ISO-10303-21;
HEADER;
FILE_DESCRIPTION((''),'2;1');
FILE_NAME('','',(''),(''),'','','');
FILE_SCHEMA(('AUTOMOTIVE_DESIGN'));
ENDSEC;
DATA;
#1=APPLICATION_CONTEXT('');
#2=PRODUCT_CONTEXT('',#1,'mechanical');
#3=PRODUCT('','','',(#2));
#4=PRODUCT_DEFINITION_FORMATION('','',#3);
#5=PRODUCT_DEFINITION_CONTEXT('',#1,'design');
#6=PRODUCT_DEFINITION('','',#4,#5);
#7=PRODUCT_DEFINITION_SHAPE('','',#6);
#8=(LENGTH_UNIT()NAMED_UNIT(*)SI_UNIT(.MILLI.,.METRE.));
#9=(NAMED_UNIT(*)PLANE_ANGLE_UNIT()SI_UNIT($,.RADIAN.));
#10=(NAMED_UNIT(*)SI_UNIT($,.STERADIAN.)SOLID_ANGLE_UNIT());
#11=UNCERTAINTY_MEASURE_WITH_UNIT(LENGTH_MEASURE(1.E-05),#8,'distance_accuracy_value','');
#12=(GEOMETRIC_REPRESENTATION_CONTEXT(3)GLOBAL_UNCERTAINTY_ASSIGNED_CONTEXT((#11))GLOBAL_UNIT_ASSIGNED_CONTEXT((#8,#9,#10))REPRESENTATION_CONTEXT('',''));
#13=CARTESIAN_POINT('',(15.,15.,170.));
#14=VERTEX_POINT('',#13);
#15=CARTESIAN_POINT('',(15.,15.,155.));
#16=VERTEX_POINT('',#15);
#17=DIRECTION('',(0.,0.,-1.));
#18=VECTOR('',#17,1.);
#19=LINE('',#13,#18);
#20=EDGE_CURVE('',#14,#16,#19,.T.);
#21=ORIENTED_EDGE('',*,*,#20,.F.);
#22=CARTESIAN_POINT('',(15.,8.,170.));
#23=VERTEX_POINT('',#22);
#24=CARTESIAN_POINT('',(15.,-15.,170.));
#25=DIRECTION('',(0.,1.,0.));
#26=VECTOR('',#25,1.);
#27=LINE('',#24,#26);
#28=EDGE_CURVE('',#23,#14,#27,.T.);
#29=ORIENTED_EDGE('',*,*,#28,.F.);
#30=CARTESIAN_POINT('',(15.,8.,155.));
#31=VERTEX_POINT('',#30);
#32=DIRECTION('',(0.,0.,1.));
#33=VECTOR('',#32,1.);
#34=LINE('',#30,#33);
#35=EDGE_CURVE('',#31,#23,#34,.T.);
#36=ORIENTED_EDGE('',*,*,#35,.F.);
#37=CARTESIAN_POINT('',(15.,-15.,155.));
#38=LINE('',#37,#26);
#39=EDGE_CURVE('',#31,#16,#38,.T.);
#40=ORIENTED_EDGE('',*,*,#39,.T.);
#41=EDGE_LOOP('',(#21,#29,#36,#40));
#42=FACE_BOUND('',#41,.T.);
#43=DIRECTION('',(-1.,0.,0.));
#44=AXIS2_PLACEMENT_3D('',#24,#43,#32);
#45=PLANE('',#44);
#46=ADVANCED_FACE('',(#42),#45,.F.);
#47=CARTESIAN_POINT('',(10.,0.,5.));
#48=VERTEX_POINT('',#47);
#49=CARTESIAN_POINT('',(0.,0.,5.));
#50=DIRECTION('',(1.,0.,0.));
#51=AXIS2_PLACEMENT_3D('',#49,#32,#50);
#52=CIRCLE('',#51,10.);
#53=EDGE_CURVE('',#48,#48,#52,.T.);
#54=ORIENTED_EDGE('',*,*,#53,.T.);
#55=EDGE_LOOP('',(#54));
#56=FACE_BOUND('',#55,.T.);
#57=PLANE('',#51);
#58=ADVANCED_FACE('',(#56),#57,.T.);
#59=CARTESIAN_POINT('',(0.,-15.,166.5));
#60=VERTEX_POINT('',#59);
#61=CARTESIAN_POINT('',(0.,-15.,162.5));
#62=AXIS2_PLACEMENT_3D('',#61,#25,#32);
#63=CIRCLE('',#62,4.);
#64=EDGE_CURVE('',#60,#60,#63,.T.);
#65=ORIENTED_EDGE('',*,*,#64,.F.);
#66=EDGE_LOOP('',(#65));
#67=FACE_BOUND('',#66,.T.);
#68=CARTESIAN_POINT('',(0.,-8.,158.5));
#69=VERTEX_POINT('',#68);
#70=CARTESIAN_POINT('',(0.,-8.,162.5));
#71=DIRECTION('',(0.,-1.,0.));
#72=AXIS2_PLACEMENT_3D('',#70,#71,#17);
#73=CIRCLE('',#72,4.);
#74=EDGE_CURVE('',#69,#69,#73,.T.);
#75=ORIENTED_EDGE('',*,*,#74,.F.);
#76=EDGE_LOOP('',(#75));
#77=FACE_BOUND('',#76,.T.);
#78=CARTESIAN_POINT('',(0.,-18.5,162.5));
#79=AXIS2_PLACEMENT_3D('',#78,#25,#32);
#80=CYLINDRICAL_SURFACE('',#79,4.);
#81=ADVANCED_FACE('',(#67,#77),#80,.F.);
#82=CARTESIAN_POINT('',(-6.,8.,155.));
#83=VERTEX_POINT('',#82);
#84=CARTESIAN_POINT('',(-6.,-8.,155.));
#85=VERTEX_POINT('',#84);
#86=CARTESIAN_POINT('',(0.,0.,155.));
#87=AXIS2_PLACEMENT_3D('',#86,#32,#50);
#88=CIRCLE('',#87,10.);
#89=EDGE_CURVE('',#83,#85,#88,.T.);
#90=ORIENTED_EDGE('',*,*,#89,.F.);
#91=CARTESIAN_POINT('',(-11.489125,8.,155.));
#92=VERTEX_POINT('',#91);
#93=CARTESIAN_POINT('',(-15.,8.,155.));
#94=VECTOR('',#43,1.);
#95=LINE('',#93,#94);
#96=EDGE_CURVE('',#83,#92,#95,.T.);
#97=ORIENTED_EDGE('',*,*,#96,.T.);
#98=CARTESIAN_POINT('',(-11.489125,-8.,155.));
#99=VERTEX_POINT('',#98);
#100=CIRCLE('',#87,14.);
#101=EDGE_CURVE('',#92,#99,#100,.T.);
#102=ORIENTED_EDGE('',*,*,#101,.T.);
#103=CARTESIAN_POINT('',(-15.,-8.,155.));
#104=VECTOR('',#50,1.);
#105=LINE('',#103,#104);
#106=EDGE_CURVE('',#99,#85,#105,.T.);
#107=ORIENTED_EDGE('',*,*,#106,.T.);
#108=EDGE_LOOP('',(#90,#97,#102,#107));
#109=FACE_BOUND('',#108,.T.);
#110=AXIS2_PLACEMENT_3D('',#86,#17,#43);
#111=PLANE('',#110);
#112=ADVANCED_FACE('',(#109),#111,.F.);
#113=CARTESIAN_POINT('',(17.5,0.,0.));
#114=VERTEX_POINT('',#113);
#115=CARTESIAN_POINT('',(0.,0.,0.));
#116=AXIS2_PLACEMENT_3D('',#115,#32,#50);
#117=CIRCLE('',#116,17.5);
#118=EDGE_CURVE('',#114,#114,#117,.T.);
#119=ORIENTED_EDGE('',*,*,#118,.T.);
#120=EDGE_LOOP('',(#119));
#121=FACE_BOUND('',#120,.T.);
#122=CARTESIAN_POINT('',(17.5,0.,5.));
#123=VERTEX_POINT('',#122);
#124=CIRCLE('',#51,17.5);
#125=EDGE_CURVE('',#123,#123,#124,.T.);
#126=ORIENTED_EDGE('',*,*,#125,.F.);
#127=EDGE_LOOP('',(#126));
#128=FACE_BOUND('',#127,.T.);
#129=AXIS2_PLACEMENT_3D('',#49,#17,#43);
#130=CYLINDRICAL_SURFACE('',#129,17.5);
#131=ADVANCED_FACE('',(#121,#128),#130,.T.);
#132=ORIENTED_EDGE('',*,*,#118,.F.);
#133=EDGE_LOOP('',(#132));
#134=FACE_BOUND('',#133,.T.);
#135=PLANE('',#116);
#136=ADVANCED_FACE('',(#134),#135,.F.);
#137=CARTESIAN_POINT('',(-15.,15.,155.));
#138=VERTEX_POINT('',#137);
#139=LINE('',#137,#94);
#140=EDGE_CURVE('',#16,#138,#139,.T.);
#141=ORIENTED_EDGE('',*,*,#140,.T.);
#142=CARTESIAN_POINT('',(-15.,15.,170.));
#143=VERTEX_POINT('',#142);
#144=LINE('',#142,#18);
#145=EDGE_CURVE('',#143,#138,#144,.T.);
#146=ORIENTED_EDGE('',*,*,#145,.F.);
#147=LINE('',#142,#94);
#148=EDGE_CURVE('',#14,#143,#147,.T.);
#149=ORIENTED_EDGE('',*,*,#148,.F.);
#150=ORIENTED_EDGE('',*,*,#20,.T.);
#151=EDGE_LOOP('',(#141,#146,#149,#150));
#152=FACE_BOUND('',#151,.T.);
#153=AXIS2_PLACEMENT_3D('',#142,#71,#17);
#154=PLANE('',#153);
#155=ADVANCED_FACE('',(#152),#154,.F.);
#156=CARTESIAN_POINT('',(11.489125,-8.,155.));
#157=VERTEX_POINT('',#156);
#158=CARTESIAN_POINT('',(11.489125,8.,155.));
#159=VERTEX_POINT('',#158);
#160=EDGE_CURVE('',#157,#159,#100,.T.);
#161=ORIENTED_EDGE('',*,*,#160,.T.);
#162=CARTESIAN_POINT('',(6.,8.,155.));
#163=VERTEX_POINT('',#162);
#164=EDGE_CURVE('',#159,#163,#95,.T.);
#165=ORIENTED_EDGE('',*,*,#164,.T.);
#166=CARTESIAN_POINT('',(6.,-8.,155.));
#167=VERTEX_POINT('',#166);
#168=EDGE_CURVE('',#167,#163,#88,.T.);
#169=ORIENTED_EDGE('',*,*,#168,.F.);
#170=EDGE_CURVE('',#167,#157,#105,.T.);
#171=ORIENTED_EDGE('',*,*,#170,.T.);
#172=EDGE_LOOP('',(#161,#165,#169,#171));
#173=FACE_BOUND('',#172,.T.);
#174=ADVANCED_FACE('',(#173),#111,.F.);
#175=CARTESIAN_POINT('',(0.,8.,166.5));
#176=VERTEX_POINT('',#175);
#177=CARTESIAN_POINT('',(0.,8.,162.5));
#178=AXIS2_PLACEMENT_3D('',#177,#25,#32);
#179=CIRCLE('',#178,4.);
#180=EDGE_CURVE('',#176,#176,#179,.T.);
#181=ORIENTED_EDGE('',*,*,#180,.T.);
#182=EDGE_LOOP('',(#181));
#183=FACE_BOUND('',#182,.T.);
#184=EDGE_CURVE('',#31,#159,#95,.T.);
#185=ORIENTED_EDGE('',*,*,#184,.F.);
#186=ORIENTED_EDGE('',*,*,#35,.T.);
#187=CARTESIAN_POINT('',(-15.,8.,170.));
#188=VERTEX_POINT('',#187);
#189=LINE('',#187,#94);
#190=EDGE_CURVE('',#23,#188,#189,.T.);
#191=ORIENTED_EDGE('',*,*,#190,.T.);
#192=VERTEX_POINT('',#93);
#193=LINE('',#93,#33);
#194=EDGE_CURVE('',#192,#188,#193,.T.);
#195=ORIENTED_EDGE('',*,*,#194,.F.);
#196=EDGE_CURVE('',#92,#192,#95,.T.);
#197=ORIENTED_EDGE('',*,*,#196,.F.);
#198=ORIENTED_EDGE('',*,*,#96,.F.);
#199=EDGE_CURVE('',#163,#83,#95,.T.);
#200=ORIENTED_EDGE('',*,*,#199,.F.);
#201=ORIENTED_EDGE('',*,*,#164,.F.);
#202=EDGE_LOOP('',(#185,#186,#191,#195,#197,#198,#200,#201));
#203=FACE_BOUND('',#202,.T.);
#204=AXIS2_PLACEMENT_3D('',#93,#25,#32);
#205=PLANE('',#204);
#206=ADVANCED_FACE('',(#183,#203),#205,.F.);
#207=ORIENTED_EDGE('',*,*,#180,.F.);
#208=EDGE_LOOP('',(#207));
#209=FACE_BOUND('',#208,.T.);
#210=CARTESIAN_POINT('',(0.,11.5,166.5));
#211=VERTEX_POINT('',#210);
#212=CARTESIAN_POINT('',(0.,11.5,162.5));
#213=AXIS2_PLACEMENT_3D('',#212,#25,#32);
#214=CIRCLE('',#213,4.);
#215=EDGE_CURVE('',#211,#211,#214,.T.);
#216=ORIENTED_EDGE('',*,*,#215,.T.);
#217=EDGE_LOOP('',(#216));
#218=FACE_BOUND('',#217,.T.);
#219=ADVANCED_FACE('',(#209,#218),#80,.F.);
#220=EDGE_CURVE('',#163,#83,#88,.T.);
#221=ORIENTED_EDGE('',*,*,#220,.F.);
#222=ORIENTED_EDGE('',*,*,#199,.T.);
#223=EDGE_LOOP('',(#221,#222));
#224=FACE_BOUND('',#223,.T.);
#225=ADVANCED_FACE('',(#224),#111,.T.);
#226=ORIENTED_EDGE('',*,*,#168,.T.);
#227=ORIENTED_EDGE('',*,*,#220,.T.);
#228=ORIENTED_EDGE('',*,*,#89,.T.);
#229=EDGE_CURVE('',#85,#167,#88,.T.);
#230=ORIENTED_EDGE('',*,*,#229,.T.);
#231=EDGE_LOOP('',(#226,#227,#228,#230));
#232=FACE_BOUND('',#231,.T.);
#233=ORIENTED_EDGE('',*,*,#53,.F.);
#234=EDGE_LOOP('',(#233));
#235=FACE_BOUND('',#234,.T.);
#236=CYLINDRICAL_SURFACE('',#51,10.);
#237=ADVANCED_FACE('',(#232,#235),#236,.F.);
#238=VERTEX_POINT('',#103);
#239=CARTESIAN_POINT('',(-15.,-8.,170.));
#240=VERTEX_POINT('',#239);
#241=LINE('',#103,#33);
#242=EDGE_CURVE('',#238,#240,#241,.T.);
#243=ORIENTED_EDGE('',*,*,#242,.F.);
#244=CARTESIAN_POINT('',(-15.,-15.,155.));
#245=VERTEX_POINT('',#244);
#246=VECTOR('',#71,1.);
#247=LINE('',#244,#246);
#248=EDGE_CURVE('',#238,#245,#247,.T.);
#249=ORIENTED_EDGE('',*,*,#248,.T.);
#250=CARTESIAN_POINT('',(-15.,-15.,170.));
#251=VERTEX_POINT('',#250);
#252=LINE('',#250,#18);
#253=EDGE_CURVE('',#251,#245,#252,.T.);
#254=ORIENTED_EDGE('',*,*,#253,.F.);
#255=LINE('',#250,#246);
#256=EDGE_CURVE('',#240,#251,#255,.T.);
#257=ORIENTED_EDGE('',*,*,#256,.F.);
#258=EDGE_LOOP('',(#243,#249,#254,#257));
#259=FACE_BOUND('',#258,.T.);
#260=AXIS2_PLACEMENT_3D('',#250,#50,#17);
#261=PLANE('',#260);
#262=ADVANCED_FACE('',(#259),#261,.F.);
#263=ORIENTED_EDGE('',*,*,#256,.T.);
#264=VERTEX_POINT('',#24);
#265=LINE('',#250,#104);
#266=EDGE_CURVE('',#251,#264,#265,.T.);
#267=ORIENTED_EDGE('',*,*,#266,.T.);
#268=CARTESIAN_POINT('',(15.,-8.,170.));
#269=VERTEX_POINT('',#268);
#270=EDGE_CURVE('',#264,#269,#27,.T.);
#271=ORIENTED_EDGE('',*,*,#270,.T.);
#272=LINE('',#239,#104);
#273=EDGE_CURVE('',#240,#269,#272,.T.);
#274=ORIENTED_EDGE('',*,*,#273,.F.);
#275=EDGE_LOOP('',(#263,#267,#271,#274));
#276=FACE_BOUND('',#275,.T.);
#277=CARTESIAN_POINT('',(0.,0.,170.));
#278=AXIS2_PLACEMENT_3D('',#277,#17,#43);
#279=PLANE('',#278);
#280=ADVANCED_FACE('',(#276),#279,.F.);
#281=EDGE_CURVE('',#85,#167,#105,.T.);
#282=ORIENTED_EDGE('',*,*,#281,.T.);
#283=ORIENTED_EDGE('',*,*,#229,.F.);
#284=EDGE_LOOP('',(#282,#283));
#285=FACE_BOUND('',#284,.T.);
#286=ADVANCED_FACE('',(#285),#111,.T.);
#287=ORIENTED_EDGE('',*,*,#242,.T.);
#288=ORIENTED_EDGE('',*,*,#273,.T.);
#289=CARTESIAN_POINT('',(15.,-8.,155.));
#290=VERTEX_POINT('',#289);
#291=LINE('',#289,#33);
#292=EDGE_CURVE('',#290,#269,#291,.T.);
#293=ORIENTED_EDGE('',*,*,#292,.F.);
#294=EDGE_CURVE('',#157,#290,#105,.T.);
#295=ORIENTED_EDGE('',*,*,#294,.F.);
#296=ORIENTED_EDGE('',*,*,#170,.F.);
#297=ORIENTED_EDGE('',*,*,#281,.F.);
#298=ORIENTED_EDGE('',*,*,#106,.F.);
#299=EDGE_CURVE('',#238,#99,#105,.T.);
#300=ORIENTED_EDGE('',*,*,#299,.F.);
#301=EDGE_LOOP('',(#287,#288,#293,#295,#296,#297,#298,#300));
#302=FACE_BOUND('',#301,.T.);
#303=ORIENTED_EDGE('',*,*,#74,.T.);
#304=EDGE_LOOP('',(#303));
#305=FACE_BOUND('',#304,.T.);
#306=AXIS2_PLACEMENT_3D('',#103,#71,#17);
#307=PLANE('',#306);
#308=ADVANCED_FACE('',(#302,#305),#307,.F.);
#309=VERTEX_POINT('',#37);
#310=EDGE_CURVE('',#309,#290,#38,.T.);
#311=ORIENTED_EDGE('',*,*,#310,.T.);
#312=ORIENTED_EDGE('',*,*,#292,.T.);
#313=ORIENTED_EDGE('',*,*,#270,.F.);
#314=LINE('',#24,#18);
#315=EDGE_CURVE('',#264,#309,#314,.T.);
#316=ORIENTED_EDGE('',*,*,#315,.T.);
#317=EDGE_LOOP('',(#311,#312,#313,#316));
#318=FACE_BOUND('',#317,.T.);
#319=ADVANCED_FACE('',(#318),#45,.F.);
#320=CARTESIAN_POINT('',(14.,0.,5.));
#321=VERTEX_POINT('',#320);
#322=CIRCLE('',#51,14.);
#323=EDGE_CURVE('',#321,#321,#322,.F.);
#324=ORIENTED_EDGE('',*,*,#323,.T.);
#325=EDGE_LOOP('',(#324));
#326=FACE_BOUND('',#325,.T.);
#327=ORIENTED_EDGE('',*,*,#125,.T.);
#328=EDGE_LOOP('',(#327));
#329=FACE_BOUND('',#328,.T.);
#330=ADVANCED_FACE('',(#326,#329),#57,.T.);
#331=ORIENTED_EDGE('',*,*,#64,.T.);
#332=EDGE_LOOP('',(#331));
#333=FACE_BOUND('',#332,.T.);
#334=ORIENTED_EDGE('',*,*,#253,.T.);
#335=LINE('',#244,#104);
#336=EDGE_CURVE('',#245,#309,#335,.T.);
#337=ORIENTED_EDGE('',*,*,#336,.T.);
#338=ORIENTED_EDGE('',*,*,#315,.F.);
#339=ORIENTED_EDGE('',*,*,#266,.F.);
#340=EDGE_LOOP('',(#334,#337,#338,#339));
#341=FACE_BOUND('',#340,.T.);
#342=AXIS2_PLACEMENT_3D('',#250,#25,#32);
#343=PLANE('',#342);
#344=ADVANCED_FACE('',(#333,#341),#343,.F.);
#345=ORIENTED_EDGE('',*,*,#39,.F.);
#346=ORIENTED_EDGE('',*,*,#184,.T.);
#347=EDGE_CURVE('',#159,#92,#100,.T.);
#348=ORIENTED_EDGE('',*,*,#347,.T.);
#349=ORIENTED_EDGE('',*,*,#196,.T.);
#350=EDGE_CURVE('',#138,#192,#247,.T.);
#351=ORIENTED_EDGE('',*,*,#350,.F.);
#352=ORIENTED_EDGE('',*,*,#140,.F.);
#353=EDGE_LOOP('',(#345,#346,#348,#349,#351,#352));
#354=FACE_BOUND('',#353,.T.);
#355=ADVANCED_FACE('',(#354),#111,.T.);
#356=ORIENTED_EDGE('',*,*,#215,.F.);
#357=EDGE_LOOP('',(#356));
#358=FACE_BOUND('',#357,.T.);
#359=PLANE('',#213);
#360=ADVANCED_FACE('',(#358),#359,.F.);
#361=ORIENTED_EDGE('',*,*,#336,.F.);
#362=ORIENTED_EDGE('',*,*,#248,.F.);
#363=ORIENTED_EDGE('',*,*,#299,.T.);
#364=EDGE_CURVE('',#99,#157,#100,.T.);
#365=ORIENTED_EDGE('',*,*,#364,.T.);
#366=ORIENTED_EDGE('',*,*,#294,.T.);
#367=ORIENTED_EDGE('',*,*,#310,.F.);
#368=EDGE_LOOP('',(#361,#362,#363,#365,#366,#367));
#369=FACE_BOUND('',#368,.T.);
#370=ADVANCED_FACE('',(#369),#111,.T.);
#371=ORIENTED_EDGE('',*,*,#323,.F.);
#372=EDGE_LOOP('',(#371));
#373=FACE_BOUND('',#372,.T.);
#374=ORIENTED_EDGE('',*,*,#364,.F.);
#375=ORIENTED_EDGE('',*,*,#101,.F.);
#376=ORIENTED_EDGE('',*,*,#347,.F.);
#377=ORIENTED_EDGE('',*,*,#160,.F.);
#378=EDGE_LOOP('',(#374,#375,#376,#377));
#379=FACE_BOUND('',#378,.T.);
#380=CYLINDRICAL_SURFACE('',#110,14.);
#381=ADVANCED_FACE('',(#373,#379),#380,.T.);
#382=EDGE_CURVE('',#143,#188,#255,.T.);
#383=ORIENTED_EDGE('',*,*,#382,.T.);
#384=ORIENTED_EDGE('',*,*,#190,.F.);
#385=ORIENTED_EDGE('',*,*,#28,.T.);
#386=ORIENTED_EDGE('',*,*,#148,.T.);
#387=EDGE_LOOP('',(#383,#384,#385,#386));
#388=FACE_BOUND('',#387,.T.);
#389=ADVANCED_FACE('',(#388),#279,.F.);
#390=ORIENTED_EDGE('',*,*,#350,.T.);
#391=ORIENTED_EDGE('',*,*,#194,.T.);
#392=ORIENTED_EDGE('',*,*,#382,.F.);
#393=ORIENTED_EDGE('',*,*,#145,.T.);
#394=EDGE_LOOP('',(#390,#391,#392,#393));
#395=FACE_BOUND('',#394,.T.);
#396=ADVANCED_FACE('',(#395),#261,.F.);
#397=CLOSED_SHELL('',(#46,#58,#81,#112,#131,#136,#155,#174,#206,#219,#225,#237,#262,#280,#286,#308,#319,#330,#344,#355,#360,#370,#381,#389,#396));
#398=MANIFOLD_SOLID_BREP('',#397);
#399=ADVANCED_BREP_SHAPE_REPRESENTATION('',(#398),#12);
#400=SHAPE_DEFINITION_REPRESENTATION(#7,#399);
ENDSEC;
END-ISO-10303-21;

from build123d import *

# Parameters (mm, degrees)
SKETCH1_R           = 17.5
BOSS_EXTRUDE1_DEPTH = 5
SKETCH2_R           = 14
BOSS_EXTRUDE2_DEPTH = 155
SKETCH3_R           = 10
CUT_EXTRUDE2_DEPTH  = 150
SKETCH4_W           = 30
SKETCH4_H           = 30
BOSS_EXTRUDE3_DEPTH = 15
SKETCH5_W           = 30
SKETCH5_H           = 16
CUT_EXTRUDE3_DEPTH  = 15
SKETCH6_R           = 4
CUT_EXTRUDE4_DEPTH  = 30


with BuildPart() as part:
    # Sketch1 → Boss-Extrude1 (new body)
    with BuildSketch(Plane.XY):
        Circle(SKETCH1_R)
    extrude(amount=BOSS_EXTRUDE1_DEPTH)

    # Sketch2 → Boss-Extrude2 (add)
    with BuildSketch(Plane.XY):
        Circle(SKETCH2_R)
    extrude(amount=BOSS_EXTRUDE2_DEPTH)

    # Sketch3 → Cut-Extrude2 (cut)
    with BuildSketch(Plane.XY.offset(155)):
        Circle(SKETCH3_R)
    extrude(amount=-CUT_EXTRUDE2_DEPTH, mode=Mode.SUBTRACT)

    # Sketch4 → Boss-Extrude3 (add)
    with BuildSketch(Plane.XY.offset(155)):
        Rectangle(SKETCH4_W, SKETCH4_H)
    extrude(amount=BOSS_EXTRUDE3_DEPTH)

    # Sketch5 → Cut-Extrude3 (cut)
    with BuildSketch(Plane.XY.offset(170)):
        Rectangle(SKETCH5_W, SKETCH5_H)
    extrude(amount=-CUT_EXTRUDE3_DEPTH, mode=Mode.SUBTRACT)

    # Sketch6 → Cut-Extrude4 (cut)
    with BuildSketch(Plane(origin=(0, 11.5, 0), x_dir=(1, 0, 0), z_dir=(0, 1, 0))):
        with Locations((0, -162.5)):
            Circle(SKETCH6_R)
    extrude(amount=-CUT_EXTRUDE4_DEPTH, mode=Mode.SUBTRACT)


solid = part.part
